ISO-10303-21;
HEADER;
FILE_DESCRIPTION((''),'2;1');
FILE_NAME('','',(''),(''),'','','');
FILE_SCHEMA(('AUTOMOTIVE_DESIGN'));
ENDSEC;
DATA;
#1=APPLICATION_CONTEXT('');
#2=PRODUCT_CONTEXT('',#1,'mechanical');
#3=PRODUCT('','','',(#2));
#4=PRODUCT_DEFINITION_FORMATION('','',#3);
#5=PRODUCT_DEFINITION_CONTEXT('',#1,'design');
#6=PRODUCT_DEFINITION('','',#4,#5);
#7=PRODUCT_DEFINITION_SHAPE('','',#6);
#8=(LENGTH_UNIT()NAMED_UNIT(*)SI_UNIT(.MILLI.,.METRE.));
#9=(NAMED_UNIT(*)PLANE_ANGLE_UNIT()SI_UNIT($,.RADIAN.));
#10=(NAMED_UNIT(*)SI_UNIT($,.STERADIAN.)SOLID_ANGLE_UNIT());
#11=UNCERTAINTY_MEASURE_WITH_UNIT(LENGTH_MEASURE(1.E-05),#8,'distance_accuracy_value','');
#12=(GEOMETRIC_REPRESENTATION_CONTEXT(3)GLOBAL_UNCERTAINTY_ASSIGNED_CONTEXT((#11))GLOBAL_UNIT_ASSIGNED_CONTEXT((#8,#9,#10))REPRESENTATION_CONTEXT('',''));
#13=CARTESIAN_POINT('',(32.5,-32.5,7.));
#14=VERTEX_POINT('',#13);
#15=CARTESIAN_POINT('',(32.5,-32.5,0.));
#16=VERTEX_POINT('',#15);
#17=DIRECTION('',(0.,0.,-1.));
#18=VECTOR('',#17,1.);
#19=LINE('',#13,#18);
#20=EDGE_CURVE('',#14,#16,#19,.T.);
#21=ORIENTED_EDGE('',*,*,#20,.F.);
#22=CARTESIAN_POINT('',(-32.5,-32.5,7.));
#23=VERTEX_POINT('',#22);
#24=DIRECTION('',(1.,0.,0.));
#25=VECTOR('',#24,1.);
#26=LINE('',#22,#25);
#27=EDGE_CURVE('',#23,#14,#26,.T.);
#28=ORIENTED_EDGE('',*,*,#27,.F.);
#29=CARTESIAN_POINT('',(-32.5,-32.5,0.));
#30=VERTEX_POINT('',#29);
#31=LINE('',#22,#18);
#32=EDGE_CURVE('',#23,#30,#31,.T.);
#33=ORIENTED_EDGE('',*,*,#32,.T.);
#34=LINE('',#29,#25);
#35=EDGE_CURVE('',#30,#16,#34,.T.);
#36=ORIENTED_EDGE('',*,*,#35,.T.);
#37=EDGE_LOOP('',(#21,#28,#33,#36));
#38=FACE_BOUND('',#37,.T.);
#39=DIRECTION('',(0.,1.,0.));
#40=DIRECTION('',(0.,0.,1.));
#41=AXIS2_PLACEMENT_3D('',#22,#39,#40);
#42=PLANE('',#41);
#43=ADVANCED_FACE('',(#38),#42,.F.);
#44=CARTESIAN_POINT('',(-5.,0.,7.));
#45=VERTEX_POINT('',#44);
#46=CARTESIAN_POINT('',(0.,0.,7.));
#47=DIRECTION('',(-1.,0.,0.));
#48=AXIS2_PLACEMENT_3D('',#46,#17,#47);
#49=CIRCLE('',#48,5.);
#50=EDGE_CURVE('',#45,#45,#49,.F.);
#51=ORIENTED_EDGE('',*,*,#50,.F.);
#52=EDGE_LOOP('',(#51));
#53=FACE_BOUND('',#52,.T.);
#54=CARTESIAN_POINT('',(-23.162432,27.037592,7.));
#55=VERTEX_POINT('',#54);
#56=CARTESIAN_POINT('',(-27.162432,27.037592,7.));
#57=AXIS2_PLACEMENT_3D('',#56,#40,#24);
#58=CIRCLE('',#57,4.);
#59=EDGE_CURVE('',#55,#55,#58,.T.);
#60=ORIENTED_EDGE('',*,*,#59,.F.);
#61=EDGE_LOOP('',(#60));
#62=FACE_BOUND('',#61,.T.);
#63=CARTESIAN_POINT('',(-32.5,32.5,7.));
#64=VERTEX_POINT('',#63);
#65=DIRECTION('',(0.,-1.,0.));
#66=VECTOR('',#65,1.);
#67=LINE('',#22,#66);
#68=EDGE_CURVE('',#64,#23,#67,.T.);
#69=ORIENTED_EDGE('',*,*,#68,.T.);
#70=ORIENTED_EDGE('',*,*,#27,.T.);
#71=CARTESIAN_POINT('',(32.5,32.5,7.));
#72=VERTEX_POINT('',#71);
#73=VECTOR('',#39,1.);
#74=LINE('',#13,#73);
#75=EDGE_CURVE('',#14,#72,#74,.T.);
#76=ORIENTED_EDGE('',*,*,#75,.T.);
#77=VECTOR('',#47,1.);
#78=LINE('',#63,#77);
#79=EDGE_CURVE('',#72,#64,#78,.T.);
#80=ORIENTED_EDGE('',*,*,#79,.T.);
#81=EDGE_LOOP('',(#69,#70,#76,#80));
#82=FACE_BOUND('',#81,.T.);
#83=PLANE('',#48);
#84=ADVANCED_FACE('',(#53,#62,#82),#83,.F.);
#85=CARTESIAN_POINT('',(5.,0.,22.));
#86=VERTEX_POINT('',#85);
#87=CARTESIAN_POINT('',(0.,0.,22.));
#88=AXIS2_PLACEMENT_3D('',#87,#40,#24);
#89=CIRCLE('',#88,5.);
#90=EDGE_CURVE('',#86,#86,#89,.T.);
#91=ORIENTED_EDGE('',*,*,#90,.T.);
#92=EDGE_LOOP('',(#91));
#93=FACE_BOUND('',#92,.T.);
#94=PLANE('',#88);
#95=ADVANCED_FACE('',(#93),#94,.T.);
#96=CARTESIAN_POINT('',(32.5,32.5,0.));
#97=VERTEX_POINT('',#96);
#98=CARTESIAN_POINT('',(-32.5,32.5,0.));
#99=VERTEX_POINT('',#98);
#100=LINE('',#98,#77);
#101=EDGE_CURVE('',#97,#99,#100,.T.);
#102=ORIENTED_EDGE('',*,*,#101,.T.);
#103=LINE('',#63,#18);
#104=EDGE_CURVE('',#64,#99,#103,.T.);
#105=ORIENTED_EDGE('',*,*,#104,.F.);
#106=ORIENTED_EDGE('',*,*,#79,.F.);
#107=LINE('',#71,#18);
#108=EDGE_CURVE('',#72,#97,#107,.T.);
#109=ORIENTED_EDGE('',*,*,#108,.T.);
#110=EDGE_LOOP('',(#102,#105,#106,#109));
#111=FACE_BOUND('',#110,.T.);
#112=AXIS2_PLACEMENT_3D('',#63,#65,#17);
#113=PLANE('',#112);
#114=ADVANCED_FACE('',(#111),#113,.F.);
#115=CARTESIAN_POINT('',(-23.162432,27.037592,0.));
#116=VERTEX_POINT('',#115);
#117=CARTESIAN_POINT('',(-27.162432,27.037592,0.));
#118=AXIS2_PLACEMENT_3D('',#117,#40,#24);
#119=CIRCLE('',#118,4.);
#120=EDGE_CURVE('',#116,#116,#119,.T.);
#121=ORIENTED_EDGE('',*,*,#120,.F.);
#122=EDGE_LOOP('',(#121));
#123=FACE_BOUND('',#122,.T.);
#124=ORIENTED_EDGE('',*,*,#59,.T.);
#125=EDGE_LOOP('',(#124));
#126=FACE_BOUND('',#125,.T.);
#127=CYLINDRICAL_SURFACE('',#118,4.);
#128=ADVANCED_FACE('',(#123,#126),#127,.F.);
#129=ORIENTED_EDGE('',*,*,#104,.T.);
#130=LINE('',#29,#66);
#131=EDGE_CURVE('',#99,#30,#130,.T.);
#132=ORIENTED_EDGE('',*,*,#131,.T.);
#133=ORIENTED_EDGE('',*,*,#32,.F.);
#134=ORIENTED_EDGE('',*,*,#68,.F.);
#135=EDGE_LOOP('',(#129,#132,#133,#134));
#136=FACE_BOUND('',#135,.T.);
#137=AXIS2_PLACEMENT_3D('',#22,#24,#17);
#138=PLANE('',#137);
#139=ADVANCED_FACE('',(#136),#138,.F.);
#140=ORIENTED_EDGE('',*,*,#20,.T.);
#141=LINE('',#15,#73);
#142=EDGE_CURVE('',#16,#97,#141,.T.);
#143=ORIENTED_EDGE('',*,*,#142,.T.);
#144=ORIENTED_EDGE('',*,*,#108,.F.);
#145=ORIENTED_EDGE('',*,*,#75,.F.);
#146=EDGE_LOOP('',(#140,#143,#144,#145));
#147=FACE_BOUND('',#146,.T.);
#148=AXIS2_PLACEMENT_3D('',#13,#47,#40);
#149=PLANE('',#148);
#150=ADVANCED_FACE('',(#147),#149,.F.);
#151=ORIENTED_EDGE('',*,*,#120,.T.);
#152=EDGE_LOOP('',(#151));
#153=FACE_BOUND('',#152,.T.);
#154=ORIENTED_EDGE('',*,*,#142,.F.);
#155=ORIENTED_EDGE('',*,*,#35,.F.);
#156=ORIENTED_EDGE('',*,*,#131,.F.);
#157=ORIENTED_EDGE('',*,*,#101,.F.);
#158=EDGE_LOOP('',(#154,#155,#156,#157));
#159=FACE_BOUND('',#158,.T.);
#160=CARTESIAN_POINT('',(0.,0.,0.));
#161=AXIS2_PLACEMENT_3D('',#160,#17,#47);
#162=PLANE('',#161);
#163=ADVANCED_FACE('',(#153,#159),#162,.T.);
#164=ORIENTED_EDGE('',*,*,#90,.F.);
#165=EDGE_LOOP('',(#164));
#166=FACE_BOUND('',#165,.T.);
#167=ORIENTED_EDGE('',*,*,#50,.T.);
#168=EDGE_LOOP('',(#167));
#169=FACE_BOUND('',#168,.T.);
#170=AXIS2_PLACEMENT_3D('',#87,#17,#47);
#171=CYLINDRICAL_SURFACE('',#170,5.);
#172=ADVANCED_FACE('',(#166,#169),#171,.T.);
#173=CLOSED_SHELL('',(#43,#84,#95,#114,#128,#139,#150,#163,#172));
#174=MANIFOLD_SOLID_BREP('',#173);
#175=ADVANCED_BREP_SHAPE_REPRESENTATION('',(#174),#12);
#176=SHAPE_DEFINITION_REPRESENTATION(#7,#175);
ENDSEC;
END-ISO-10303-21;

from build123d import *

# Parameters (mm, degrees)
SKETCH2_W           = 65
SKETCH2_H           = 65
BOSS_EXTRUDE1_DEPTH = 7
SKETCH3_R           = 5
BOSS_EXTRUDE2_DEPTH = 15
SKETCH4_R           = 4
CUT_EXTRUDE1_DEPTH  = 49.347699015


with BuildPart() as part:
    # Sketch2 → Boss-Extrude1 (new body)
    with BuildSketch(Plane.XY):
        Rectangle(SKETCH2_W, SKETCH2_H)
    extrude(amount=BOSS_EXTRUDE1_DEPTH)

    # Sketch3 → Boss-Extrude2 (add)
    with BuildSketch(Plane.XY.offset(7)):
        with Locations(Location((0, 0, 0), (0, 0, 180))):
            Circle(SKETCH3_R)
    extrude(amount=BOSS_EXTRUDE2_DEPTH)

    # Sketch4 → Cut-Extrude1 (cut, through all)
    with BuildSketch(Plane.XY.offset(7)):
        with Locations((-27.162431983, 27.037591963)):
            Circle(SKETCH4_R)
    extrude(amount=-CUT_EXTRUDE1_DEPTH, mode=Mode.SUBTRACT)


solid = part.part
